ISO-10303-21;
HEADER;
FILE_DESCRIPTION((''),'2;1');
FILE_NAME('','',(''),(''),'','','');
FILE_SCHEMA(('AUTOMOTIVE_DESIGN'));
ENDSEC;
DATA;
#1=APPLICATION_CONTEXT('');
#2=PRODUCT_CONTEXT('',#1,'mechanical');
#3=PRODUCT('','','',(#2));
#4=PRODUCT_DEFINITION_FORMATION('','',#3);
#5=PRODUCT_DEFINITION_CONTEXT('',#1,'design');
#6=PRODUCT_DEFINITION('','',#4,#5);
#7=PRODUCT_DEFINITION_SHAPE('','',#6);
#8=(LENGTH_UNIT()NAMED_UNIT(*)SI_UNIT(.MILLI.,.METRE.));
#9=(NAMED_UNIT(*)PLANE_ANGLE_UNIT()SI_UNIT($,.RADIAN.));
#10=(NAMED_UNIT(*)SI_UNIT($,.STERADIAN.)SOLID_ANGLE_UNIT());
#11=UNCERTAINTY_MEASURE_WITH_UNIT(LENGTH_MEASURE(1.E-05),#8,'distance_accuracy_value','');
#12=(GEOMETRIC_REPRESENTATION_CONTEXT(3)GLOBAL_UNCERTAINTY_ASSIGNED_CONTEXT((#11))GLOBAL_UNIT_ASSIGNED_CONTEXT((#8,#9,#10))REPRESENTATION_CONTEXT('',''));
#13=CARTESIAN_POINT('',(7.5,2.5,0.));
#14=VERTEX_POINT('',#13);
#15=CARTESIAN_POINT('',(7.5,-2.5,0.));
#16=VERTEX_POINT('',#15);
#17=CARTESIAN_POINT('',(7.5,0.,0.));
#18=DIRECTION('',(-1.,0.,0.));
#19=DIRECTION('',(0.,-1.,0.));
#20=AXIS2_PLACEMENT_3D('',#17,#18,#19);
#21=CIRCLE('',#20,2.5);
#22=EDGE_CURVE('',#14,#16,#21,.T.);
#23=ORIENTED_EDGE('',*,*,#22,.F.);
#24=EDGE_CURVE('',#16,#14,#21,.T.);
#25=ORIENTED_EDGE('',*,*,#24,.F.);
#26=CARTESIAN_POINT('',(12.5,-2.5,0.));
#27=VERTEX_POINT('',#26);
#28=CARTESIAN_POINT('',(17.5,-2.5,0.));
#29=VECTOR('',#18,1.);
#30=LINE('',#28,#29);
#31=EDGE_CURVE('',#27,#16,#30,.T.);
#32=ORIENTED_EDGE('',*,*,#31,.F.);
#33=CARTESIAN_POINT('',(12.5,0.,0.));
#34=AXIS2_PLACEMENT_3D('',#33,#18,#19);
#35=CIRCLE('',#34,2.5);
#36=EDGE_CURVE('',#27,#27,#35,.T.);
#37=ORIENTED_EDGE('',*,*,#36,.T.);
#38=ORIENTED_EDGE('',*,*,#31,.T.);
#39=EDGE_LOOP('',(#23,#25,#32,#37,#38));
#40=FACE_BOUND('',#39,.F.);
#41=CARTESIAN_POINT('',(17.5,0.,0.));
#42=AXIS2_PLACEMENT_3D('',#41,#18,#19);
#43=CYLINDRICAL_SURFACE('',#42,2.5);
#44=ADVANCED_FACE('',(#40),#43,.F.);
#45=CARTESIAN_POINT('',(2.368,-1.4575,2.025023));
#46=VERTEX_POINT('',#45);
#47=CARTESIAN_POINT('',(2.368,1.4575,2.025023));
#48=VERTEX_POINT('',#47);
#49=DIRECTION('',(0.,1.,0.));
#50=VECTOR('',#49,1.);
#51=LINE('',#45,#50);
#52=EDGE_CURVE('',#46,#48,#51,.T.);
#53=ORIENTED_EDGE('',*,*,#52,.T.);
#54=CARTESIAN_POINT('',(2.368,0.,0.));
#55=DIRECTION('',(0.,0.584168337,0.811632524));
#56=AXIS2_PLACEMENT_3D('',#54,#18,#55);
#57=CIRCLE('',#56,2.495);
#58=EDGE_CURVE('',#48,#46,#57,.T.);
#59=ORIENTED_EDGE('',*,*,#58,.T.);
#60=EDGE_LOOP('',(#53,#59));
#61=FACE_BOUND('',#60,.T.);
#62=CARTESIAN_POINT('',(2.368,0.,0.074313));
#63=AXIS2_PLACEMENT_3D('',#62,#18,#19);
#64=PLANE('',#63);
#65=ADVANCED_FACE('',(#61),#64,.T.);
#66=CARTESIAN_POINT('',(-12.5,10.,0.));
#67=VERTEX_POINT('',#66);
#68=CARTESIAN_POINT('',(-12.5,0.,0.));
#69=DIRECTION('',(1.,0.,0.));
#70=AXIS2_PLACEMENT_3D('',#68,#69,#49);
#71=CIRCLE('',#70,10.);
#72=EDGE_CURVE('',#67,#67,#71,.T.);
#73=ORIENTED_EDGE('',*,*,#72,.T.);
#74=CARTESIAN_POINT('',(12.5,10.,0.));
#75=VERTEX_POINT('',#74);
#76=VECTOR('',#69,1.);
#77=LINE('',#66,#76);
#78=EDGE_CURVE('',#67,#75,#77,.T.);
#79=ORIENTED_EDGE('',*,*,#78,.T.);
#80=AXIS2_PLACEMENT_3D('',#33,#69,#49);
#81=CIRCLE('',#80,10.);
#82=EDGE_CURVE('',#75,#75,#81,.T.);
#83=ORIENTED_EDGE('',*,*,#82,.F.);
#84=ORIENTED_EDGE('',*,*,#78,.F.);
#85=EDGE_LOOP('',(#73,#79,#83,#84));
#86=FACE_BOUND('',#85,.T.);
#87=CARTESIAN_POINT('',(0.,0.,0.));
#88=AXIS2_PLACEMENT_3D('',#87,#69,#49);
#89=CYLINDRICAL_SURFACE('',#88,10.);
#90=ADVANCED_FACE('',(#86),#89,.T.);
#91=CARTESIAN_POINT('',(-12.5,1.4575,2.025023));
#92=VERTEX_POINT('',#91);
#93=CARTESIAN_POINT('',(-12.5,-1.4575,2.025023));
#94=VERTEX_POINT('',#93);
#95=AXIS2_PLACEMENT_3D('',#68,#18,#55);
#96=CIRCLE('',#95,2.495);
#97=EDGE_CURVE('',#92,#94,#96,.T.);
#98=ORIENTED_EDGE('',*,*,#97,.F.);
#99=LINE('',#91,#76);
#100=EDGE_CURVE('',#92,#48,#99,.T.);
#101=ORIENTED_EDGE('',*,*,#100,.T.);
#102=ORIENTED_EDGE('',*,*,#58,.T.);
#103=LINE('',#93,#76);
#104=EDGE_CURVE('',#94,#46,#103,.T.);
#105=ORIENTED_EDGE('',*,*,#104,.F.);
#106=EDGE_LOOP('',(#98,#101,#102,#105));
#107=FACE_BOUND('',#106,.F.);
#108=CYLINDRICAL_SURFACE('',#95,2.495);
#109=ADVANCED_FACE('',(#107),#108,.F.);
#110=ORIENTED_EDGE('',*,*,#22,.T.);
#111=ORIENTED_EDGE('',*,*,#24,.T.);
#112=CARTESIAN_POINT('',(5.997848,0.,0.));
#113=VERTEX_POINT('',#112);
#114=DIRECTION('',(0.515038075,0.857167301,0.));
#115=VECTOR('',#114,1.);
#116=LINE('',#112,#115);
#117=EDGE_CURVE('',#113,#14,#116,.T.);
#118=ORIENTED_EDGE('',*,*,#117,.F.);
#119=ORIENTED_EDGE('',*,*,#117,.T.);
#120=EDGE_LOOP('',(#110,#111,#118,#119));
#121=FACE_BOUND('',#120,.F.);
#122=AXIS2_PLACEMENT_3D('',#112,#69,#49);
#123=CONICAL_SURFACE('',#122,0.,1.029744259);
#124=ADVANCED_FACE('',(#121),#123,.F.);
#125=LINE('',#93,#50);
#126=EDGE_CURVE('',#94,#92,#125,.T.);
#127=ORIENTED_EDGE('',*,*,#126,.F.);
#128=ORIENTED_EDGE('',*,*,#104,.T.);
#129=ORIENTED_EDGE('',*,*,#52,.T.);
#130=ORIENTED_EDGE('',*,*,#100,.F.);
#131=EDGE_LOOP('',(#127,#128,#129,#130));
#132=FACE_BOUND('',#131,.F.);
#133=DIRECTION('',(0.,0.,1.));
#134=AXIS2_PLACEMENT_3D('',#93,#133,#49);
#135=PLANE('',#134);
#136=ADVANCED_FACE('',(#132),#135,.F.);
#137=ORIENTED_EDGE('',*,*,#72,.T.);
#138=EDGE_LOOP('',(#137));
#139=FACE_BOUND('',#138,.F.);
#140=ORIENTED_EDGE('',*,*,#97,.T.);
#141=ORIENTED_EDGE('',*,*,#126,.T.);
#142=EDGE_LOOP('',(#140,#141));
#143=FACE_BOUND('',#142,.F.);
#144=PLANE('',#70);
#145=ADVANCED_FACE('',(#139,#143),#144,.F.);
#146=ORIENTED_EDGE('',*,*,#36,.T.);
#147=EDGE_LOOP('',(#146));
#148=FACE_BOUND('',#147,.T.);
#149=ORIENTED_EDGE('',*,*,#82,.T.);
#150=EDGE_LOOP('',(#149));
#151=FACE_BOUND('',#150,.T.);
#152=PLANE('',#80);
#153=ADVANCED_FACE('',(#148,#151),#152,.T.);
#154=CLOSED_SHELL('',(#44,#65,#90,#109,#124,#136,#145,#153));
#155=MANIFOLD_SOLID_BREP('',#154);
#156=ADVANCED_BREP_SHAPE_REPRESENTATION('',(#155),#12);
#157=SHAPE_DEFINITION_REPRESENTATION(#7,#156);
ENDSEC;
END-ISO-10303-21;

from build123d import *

# Parameters (mm, degrees)
F0_R     = 10
F0_R_2   = 2.5
F2_DEPTH = 12.5
F3_D     = 5
F3_DEPTH = 5
F3_TIP   = 1.5021515476
F5_DEPTH = 14.868


with BuildPart() as f2:
    # F0 (on Right) → F2 (new body, symmetric)
    with BuildSketch(Plane.YZ):
        Circle(F0_R)
        Circle(F0_R_2, mode=Mode.SUBTRACT)
        Circle(F0_R_2)
    extrude(amount=F2_DEPTH, both=True)

    # F3
    with Locations(Plane.YZ.offset(12.5)):
        with Locations((0, 0)):
            Hole(F3_D / 2, depth=F3_DEPTH)
            with Locations((0, 0, -(F3_DEPTH + F3_TIP / 2))):  # 118° drill point
                Cone(0, F3_D / 2, F3_TIP, mode=Mode.SUBTRACT)

    # F4 (on face) → F5 (cut)
    with BuildSketch(Plane(origin=(-12.5, 0, 0), x_dir=(0, -1, 0), z_dir=(-1, 0, 0))):
        with BuildLine():
            Line((1.4575, 2.025023148), (-1.4575, 2.025023148))
            ThreePointArc((-1.4575, 2.025023148), (0, -2.495), (1.4575, 2.025023148))
        make_face()
    extrude(amount=-F5_DEPTH, mode=Mode.SUBTRACT)


solid = f2.part
